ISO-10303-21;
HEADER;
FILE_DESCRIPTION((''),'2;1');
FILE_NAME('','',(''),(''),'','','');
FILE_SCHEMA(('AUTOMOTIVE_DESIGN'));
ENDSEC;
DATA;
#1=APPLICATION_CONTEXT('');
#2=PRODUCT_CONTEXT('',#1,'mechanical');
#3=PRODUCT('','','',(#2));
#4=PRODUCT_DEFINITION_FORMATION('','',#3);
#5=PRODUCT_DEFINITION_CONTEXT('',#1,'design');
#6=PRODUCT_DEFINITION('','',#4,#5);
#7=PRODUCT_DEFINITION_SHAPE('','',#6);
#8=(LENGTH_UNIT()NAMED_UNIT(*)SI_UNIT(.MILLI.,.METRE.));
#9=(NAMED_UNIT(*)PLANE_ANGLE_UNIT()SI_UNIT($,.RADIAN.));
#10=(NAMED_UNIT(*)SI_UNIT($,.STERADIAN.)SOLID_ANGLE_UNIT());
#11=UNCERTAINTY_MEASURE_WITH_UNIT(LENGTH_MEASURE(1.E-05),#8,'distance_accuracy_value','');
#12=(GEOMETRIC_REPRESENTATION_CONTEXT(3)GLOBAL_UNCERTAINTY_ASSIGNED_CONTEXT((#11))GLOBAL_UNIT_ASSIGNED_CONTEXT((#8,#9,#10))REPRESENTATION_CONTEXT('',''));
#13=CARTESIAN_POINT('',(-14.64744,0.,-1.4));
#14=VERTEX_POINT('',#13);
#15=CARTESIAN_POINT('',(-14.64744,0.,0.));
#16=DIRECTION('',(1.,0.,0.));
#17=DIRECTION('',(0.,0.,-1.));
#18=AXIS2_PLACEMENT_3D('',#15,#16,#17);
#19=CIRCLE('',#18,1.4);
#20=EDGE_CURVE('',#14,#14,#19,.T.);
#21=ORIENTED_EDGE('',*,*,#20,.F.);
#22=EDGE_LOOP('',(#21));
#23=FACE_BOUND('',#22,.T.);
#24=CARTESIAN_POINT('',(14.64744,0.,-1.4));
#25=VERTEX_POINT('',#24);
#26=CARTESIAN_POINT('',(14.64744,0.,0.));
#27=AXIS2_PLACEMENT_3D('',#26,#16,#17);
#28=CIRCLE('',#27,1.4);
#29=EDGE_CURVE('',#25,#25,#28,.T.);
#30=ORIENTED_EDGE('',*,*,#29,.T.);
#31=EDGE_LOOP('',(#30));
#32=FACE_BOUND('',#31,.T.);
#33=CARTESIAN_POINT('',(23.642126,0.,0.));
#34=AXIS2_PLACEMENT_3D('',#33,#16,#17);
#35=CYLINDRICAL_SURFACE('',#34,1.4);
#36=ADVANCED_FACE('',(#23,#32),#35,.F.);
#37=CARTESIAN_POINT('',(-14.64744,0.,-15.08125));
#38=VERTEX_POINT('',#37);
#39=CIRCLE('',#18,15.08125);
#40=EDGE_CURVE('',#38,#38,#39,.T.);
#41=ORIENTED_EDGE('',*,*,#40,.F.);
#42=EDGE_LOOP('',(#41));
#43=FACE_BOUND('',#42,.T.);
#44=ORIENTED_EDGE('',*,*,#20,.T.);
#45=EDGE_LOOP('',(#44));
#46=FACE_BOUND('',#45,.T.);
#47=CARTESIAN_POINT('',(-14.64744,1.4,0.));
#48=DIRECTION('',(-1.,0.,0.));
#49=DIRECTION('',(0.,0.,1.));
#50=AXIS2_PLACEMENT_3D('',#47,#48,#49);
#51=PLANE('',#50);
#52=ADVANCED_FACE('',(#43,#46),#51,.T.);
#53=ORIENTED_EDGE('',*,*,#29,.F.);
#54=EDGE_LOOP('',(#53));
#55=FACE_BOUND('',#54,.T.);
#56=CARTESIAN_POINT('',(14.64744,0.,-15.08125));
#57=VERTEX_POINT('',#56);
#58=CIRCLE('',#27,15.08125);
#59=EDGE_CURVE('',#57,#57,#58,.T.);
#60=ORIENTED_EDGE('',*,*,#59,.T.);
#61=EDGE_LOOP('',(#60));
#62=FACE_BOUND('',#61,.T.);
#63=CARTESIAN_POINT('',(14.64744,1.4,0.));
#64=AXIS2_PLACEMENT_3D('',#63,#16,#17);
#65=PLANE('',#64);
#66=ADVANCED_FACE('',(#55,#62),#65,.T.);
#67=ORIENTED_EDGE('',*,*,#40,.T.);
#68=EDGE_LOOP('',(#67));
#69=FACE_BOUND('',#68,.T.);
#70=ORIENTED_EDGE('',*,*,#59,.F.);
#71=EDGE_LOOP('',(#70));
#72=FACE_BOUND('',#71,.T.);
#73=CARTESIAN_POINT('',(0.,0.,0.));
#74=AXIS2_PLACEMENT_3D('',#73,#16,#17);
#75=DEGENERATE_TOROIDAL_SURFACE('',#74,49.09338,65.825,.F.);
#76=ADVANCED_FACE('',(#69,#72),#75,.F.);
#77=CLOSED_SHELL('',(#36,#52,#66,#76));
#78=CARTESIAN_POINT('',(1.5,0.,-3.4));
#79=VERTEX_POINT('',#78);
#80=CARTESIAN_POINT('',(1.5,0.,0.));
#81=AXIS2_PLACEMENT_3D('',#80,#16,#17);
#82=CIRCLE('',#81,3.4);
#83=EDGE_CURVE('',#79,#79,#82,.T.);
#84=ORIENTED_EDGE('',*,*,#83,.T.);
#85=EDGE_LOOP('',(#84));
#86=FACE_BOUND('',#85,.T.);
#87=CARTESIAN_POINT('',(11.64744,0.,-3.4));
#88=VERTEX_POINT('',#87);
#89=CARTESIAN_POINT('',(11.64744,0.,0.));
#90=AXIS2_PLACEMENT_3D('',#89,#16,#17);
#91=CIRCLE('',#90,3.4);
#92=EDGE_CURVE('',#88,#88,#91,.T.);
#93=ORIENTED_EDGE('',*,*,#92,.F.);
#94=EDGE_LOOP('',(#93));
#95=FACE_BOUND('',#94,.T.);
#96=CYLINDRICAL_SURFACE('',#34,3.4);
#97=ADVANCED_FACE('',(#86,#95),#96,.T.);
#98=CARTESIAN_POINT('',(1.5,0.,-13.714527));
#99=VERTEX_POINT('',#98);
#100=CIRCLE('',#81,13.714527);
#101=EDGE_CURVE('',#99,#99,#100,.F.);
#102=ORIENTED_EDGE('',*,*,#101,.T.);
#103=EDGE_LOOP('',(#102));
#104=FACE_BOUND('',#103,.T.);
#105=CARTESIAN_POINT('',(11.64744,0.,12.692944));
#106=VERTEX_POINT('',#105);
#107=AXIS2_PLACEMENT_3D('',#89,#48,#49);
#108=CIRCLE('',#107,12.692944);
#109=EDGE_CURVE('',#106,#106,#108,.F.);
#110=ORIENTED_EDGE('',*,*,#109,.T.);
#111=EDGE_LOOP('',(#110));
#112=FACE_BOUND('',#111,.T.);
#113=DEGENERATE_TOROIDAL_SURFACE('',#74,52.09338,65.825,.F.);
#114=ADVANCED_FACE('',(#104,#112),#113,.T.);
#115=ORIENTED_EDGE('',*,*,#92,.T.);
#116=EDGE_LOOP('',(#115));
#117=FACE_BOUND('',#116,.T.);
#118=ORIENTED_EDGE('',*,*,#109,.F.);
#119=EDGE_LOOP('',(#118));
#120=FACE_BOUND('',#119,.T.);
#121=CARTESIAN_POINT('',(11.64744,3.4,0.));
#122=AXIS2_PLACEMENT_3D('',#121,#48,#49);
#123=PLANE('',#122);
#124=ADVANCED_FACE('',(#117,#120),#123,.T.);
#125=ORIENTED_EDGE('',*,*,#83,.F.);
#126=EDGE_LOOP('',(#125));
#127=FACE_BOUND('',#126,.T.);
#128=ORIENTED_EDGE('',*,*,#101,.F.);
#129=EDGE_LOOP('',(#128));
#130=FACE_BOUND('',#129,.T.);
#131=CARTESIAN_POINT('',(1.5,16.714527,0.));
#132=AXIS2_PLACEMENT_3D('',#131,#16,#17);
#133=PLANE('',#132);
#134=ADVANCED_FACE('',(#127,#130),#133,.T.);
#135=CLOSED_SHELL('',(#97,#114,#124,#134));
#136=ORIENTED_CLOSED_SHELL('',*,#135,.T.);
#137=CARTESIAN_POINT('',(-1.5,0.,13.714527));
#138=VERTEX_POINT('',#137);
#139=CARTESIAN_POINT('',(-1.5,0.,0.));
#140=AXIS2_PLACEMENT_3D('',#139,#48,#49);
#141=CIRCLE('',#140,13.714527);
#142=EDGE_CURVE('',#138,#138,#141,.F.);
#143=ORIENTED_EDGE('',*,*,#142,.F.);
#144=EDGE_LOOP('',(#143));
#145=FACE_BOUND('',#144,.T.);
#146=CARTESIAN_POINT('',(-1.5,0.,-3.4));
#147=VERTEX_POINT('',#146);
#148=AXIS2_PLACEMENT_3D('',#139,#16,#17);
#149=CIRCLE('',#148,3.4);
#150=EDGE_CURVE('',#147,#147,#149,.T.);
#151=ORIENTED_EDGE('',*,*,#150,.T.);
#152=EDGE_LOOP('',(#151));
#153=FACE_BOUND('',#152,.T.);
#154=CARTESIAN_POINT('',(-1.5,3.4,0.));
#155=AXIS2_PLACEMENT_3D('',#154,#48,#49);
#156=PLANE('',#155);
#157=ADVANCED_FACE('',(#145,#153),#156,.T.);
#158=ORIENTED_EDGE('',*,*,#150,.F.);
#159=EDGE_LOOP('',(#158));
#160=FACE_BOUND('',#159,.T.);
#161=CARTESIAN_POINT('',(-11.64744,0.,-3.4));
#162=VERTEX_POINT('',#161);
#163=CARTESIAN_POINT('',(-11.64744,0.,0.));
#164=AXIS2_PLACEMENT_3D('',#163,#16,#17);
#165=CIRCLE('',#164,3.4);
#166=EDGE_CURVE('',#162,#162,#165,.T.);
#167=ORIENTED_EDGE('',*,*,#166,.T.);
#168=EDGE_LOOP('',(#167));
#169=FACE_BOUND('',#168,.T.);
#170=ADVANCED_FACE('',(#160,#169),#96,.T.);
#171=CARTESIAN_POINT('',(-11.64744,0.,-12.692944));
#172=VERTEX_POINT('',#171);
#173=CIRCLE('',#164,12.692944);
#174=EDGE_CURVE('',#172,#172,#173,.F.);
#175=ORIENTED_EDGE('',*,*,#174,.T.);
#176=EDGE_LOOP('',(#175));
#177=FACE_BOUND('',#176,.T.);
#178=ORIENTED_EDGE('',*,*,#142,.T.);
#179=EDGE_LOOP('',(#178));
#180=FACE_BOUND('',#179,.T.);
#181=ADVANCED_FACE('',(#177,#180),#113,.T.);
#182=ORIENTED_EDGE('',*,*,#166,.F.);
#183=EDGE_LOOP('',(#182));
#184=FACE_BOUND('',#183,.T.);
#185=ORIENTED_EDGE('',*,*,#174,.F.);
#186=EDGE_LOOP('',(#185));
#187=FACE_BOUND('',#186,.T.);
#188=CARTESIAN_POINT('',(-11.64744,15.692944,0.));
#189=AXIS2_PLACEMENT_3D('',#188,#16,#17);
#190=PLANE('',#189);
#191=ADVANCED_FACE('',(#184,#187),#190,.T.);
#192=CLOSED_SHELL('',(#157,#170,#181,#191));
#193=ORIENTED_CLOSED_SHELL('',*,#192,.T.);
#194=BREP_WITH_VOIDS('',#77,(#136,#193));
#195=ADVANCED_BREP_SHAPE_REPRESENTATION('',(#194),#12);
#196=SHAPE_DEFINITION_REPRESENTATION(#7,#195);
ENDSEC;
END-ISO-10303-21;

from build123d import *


with BuildPart() as part:
    # Sketch3 → Revolve1 (revolve)
    with BuildSketch(Plane.XY, mode=Mode.PRIVATE) as revolve1_sk:
        with BuildLine():
            Line((-14.647440478, 1.4), (-14.647440478, 15.08125))
            ThreePointArc((-14.647440478, 15.08125), (-13.150997434, 15.404541787), (-11.647440478, 15.69294401))
            Line((-11.647440478, 15.69294401), (-11.647440478, 3.4))
            Line((-11.647440478, 3.4), (-1.5, 3.4))
            Line((-1.5, 3.4), (-1.5, 16.71452719))
            ThreePointArc((-1.5, 16.71452719), (0, 16.731620181), (1.5, 16.71452719))
            Line((1.5, 16.71452719), (1.5, 3.4))
            Line((1.5, 3.4), (11.647440478, 3.4))
            Line((11.647440478, 3.4), (11.647440478, 15.69294401))
            ThreePointArc((11.647440478, 15.69294401), (13.150997434, 15.404541787), (14.647440478, 15.08125))
            Line((14.647440478, 15.08125), (14.647440478, 1.4))
            Line((14.647440478, 1.4), (-14.647440478, 1.4))
        make_face()
    revolve(revolve1_sk.sketch.rotate(Axis((23.642125672, 0, 0), (-1, 0, 0)), 90), axis=Axis((23.642125672, 0, 0), (-1, 0, 0)))

    # Sketch4 → Revolve2 (revolve)
    with BuildSketch(Plane.XY, mode=Mode.PRIVATE) as revolve2_sk:
        with BuildLine():
            Line((-14.647440478, 12.08125), (-14.647440478, 15.08125))
            ThreePointArc((-14.647440478, 15.08125), (0, 16.731620181), (14.647440478, 15.08125))
            Line((14.647440478, 15.08125), (14.647440478, 12.08125))
            ThreePointArc((14.647440478, 12.08125), (0, 13.731620181), (-14.647440478, 12.08125))
        make_face()
    revolve(revolve2_sk.sketch.rotate(Axis((23.642125672, 0, 0), (-1, 0, 0)), 270), axis=Axis((23.642125672, 0, 0), (-1, 0, 0)))


solid = part.part
